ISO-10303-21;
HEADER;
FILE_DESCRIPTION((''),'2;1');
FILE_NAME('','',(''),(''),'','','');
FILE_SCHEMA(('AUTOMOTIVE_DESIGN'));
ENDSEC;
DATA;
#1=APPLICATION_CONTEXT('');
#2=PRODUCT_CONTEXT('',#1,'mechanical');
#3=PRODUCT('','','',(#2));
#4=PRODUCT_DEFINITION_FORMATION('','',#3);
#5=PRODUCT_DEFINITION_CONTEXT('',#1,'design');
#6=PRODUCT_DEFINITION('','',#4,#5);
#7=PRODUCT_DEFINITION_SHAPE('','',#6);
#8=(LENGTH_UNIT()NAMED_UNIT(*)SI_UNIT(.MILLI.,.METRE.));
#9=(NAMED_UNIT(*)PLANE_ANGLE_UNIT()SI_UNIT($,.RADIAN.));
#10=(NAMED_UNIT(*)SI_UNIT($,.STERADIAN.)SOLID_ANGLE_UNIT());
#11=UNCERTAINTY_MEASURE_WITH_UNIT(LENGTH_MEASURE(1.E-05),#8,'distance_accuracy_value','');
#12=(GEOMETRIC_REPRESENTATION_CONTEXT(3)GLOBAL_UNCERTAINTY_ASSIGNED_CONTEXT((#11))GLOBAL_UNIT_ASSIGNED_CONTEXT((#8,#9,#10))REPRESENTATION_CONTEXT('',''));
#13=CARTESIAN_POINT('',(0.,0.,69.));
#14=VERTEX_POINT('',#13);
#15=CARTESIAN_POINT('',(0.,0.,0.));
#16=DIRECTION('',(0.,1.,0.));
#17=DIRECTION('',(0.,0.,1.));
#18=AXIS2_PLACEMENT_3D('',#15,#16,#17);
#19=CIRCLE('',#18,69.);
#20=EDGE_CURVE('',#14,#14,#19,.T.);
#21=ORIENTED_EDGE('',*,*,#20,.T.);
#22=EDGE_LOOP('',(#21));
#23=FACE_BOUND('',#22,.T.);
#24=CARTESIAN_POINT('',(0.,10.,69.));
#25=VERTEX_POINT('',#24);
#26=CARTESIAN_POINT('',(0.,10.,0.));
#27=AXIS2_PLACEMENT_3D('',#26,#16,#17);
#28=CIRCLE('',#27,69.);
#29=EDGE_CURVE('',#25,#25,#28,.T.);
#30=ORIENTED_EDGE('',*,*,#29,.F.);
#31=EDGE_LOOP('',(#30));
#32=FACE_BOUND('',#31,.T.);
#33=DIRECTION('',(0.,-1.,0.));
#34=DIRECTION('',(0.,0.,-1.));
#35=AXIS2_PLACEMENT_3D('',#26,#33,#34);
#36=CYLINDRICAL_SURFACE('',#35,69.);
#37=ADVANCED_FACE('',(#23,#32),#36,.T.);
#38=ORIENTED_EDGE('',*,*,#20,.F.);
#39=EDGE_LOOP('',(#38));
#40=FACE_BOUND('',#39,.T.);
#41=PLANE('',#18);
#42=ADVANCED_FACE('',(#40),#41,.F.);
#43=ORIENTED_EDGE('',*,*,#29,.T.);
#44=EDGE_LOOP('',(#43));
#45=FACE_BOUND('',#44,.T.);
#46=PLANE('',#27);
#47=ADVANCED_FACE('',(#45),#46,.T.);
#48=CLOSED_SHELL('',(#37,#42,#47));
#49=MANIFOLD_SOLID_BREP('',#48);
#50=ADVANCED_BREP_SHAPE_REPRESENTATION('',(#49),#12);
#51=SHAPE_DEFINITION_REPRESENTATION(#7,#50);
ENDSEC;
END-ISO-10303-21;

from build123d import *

# Parameters (mm, degrees)
SKETCH_1_R      = 69
EXTRUDE_1_DEPTH = 10


with BuildPart() as part:
    # Эскиз1 → Бобышка-Вытянуть1 (new body)
    with BuildSketch(Plane(origin=(0, 0, 0), x_dir=(1, 0, 0), z_dir=(0, 1, 0))):
        Circle(SKETCH_1_R)
    extrude(amount=EXTRUDE_1_DEPTH)


solid = part.part
